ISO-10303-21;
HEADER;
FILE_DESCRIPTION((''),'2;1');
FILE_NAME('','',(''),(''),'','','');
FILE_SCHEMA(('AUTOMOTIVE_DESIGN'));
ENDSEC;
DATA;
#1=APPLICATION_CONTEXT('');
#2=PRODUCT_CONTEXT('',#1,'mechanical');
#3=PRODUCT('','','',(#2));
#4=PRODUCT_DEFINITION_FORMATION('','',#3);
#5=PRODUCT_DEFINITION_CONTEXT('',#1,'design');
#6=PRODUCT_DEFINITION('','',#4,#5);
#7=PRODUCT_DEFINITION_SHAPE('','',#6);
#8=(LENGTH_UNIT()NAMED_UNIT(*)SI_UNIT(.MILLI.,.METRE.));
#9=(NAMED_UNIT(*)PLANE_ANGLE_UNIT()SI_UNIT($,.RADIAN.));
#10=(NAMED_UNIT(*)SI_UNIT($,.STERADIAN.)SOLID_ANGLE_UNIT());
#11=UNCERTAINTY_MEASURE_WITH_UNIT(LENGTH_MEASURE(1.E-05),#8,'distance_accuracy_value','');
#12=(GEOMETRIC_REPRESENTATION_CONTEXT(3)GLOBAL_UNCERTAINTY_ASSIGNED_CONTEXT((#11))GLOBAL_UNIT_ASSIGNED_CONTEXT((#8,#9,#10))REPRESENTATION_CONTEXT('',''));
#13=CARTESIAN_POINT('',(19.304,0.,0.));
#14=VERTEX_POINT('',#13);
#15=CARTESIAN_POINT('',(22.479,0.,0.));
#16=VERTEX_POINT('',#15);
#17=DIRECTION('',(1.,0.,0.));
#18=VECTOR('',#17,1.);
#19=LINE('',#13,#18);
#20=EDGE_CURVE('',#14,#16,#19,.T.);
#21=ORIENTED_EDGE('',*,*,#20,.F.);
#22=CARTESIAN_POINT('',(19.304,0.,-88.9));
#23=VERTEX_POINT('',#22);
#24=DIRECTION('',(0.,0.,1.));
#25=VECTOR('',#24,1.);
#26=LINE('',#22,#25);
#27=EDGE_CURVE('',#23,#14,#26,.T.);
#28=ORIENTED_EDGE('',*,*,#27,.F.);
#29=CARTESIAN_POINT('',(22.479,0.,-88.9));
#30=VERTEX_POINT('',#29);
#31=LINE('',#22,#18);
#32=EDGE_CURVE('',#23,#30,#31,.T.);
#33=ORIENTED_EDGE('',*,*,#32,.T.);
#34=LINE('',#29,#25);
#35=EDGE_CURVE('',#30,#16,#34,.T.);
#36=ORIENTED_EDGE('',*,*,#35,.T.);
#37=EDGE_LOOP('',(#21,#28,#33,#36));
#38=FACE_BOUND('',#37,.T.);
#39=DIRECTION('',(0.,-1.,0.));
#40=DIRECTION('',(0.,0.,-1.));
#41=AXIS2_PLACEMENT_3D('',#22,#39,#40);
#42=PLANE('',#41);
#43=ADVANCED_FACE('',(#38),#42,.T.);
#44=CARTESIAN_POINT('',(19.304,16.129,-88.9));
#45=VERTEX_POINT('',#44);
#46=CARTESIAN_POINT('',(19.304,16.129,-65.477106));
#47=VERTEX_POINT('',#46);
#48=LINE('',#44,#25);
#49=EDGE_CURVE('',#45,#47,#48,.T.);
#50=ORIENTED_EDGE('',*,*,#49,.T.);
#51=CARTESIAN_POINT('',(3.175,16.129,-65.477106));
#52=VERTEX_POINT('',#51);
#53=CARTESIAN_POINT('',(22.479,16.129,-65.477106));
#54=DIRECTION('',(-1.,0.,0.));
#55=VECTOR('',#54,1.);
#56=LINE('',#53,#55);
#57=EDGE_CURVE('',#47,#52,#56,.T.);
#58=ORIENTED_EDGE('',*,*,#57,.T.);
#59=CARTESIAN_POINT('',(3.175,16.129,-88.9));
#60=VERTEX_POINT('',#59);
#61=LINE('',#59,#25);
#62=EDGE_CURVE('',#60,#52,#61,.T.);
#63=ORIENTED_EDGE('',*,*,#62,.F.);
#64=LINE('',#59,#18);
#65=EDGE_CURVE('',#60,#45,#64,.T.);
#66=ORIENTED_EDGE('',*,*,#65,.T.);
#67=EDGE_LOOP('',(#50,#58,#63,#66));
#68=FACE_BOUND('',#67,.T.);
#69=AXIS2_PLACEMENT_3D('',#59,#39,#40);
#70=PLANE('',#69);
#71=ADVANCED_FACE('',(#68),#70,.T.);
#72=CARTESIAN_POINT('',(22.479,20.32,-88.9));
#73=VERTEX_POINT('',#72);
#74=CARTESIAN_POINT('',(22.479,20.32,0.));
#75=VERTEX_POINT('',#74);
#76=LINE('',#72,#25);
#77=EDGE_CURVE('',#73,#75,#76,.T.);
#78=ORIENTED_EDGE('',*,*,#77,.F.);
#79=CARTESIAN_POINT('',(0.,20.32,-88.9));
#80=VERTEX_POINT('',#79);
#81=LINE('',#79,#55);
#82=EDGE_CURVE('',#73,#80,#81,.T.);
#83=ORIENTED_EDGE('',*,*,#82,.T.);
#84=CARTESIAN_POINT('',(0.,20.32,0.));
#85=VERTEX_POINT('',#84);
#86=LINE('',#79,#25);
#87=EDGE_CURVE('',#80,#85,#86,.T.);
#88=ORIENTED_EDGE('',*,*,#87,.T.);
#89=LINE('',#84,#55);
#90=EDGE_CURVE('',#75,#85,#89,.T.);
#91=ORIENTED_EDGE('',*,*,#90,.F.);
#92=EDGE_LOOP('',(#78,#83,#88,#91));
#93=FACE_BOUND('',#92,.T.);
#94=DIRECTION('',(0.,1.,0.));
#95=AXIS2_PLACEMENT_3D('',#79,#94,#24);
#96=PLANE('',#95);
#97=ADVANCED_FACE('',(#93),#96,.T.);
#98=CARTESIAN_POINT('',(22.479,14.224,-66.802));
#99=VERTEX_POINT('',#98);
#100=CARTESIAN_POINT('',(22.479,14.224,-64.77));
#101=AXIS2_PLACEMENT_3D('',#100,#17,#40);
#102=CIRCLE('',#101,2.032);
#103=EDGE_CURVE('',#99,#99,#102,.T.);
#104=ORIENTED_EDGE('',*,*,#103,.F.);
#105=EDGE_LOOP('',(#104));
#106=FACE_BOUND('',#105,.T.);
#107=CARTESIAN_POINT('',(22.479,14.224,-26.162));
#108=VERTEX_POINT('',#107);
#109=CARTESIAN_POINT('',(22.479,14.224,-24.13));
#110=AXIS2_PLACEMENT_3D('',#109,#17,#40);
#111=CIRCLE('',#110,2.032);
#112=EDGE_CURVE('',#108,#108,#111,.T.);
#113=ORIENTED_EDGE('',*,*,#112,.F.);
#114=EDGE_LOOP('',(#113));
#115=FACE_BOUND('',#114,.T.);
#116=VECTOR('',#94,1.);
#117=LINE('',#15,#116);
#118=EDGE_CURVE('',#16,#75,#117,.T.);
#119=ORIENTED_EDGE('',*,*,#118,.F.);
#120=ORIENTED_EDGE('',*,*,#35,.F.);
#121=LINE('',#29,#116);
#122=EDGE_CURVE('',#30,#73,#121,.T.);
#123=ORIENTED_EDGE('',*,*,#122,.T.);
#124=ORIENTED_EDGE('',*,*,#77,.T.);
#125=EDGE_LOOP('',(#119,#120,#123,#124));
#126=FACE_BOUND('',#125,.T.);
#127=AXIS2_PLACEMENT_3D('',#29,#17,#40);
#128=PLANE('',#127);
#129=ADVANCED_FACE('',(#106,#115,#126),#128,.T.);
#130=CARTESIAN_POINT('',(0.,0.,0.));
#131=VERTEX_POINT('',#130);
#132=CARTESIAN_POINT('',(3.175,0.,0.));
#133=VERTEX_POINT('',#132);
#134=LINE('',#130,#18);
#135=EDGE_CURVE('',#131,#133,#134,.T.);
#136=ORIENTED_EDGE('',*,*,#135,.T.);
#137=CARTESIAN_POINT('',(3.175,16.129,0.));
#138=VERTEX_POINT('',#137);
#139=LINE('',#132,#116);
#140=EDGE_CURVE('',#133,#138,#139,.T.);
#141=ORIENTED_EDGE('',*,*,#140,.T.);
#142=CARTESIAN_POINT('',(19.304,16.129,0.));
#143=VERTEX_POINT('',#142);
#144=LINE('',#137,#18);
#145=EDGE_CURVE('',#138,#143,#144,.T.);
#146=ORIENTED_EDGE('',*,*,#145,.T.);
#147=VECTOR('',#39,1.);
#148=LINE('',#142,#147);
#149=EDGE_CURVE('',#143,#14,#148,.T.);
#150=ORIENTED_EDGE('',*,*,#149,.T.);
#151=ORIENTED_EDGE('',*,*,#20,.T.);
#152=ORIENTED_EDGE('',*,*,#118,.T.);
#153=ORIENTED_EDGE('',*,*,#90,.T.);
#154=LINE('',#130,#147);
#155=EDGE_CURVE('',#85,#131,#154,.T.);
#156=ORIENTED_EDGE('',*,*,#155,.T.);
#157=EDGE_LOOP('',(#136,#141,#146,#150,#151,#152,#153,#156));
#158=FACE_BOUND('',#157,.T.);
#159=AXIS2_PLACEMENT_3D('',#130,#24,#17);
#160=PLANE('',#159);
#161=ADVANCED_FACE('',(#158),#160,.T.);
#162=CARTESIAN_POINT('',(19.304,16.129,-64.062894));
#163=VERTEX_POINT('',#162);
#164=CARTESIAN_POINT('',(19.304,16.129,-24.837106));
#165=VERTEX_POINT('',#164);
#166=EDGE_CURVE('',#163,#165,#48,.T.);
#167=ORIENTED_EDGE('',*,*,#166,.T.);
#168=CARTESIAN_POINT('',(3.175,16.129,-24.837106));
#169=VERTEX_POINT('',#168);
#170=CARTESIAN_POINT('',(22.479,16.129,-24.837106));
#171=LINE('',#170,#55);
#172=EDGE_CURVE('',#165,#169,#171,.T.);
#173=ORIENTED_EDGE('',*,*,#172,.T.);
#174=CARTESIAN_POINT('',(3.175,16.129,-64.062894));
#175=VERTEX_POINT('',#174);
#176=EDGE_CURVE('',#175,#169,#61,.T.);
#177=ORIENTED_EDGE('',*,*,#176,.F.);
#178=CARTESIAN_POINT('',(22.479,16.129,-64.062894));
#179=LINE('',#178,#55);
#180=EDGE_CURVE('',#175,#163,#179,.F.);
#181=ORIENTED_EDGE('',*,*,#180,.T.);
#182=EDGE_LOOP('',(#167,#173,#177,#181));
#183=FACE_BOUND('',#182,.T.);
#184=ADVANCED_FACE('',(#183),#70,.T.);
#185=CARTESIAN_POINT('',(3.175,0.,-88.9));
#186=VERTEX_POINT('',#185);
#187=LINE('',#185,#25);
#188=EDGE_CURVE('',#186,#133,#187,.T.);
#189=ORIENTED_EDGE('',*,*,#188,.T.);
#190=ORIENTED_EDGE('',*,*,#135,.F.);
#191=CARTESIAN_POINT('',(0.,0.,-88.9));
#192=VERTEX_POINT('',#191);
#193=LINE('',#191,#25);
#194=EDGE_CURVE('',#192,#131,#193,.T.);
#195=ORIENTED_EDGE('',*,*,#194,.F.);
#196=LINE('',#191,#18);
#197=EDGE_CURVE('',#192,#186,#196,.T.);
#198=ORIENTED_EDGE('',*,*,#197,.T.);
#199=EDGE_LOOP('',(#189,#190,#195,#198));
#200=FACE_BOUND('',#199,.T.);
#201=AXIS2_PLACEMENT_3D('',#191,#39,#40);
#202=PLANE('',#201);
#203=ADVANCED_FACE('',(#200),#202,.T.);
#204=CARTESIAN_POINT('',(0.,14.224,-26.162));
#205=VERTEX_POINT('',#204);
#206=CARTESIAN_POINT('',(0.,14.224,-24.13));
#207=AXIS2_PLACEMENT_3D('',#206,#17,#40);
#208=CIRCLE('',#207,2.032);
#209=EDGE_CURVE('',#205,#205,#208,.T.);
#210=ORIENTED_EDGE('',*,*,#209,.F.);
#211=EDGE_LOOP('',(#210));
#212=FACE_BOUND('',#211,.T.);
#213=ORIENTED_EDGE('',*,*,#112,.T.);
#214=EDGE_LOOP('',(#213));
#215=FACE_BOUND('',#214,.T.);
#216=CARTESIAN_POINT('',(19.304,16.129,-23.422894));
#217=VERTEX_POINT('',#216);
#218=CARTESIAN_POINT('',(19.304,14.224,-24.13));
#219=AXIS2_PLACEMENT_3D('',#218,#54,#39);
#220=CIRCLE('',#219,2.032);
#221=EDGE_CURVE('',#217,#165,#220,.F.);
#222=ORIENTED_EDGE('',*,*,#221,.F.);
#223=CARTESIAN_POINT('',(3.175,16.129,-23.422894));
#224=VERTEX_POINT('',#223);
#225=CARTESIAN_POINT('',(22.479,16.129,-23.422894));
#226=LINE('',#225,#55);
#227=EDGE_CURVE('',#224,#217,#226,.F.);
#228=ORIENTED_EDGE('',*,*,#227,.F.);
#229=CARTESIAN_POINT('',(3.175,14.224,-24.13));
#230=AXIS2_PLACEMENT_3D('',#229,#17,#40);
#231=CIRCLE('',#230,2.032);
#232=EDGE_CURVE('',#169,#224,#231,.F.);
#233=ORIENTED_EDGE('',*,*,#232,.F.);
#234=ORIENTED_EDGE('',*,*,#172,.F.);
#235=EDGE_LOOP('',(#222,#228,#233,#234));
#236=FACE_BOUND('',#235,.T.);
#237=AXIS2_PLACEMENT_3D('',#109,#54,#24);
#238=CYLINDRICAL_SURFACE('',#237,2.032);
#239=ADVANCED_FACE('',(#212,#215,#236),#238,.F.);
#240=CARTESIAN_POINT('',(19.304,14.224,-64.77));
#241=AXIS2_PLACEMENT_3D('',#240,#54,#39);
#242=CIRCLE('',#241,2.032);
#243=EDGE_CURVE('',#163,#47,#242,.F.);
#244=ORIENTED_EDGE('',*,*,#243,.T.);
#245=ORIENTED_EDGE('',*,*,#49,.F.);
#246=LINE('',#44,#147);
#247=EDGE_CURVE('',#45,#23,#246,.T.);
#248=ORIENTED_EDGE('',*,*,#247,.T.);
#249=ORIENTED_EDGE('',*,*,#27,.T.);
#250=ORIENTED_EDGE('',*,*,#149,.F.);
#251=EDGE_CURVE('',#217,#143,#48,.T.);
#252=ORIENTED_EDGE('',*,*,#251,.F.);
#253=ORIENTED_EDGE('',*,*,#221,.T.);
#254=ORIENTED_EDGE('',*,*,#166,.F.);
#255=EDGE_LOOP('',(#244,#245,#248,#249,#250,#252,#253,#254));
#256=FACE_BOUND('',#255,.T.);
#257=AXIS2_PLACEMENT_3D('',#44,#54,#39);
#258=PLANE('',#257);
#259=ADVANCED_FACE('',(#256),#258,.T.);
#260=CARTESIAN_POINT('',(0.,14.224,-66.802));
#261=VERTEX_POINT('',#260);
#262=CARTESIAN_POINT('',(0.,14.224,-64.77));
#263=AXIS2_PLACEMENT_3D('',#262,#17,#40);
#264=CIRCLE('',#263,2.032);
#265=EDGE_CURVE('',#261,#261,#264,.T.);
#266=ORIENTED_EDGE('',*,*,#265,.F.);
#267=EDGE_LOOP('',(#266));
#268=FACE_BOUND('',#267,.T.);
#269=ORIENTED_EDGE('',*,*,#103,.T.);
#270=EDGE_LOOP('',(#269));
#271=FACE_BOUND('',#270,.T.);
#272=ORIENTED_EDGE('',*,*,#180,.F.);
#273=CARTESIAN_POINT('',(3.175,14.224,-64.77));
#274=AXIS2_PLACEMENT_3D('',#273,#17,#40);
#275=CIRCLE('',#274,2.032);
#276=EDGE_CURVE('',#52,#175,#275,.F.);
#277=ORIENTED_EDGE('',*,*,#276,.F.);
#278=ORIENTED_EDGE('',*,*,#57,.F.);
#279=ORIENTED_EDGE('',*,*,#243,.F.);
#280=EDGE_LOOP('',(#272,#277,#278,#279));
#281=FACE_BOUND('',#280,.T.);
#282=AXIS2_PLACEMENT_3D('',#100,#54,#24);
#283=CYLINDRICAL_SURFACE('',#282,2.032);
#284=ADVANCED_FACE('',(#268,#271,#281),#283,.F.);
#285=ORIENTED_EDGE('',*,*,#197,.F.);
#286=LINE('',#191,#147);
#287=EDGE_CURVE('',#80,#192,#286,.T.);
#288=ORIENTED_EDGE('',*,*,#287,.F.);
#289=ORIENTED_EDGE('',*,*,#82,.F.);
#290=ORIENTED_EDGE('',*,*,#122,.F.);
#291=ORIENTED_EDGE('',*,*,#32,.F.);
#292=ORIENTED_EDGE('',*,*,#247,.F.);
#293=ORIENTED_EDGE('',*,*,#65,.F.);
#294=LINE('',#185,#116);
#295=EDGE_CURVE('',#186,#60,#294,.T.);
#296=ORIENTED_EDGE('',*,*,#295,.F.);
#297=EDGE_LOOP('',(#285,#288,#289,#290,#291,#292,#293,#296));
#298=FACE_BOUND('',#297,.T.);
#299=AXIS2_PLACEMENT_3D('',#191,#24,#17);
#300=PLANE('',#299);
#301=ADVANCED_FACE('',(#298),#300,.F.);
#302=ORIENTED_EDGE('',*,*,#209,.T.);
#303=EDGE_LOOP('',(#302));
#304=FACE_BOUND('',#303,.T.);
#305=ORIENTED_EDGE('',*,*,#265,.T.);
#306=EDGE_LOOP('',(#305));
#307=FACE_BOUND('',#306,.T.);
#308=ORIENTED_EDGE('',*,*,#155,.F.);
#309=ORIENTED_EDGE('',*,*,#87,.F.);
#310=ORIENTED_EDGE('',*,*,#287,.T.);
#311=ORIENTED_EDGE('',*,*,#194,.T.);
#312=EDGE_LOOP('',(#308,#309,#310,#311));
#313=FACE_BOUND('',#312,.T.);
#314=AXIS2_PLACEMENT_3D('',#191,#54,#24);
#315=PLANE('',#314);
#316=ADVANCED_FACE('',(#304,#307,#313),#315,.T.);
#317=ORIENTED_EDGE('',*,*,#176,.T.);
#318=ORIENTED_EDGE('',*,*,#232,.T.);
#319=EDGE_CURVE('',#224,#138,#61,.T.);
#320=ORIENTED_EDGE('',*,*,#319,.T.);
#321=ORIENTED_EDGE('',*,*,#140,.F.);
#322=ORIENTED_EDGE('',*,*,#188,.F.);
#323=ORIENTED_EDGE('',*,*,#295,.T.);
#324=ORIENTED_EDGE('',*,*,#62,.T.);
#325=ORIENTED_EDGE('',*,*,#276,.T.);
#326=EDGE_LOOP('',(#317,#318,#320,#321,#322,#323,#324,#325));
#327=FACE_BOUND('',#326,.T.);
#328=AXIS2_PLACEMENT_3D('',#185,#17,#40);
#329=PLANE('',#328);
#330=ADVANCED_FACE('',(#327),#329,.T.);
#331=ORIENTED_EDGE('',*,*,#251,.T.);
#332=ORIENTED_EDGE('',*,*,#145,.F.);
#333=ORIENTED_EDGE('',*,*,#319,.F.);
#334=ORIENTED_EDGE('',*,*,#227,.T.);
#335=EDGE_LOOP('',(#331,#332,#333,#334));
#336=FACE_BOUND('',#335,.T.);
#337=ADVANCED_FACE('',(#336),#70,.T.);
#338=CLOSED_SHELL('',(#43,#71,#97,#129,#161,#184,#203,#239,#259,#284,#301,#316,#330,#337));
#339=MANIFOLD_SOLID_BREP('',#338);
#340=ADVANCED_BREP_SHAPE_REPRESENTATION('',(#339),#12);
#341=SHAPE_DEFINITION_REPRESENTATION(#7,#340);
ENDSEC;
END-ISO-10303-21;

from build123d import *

# Parameters (mm, degrees)
BOSS_EXTRUDE2_DEPTH = 88.9
SKETCH19_R          = 2.032
CUT_EXTRUDE3_DEPTH  = 94.922403297


with BuildPart() as part:
    # Sketch2 → Boss-Extrude2 (new body)
    with BuildSketch(Plane.XY):
        Polygon((0, 0), (0, 20.32), (22.479, 20.32), (22.479, 0), (19.304, 0), (19.304, 16.129), (3.175, 16.129), (3.175, 0), align=None)
    extrude(amount=-BOSS_EXTRUDE2_DEPTH)

    # Sketch19 → Cut-Extrude3 (cut, through all)
    with BuildSketch(Plane(origin=(0, 0, 0), x_dir=(0, 0, -1), z_dir=(1, 0, 0))):
        with Locations((24.13, 14.224)):
            Circle(SKETCH19_R)
        with Locations((64.77, 14.224)):
            Circle(SKETCH19_R)
    extrude(amount=CUT_EXTRUDE3_DEPTH, mode=Mode.SUBTRACT)


solid = part.part
